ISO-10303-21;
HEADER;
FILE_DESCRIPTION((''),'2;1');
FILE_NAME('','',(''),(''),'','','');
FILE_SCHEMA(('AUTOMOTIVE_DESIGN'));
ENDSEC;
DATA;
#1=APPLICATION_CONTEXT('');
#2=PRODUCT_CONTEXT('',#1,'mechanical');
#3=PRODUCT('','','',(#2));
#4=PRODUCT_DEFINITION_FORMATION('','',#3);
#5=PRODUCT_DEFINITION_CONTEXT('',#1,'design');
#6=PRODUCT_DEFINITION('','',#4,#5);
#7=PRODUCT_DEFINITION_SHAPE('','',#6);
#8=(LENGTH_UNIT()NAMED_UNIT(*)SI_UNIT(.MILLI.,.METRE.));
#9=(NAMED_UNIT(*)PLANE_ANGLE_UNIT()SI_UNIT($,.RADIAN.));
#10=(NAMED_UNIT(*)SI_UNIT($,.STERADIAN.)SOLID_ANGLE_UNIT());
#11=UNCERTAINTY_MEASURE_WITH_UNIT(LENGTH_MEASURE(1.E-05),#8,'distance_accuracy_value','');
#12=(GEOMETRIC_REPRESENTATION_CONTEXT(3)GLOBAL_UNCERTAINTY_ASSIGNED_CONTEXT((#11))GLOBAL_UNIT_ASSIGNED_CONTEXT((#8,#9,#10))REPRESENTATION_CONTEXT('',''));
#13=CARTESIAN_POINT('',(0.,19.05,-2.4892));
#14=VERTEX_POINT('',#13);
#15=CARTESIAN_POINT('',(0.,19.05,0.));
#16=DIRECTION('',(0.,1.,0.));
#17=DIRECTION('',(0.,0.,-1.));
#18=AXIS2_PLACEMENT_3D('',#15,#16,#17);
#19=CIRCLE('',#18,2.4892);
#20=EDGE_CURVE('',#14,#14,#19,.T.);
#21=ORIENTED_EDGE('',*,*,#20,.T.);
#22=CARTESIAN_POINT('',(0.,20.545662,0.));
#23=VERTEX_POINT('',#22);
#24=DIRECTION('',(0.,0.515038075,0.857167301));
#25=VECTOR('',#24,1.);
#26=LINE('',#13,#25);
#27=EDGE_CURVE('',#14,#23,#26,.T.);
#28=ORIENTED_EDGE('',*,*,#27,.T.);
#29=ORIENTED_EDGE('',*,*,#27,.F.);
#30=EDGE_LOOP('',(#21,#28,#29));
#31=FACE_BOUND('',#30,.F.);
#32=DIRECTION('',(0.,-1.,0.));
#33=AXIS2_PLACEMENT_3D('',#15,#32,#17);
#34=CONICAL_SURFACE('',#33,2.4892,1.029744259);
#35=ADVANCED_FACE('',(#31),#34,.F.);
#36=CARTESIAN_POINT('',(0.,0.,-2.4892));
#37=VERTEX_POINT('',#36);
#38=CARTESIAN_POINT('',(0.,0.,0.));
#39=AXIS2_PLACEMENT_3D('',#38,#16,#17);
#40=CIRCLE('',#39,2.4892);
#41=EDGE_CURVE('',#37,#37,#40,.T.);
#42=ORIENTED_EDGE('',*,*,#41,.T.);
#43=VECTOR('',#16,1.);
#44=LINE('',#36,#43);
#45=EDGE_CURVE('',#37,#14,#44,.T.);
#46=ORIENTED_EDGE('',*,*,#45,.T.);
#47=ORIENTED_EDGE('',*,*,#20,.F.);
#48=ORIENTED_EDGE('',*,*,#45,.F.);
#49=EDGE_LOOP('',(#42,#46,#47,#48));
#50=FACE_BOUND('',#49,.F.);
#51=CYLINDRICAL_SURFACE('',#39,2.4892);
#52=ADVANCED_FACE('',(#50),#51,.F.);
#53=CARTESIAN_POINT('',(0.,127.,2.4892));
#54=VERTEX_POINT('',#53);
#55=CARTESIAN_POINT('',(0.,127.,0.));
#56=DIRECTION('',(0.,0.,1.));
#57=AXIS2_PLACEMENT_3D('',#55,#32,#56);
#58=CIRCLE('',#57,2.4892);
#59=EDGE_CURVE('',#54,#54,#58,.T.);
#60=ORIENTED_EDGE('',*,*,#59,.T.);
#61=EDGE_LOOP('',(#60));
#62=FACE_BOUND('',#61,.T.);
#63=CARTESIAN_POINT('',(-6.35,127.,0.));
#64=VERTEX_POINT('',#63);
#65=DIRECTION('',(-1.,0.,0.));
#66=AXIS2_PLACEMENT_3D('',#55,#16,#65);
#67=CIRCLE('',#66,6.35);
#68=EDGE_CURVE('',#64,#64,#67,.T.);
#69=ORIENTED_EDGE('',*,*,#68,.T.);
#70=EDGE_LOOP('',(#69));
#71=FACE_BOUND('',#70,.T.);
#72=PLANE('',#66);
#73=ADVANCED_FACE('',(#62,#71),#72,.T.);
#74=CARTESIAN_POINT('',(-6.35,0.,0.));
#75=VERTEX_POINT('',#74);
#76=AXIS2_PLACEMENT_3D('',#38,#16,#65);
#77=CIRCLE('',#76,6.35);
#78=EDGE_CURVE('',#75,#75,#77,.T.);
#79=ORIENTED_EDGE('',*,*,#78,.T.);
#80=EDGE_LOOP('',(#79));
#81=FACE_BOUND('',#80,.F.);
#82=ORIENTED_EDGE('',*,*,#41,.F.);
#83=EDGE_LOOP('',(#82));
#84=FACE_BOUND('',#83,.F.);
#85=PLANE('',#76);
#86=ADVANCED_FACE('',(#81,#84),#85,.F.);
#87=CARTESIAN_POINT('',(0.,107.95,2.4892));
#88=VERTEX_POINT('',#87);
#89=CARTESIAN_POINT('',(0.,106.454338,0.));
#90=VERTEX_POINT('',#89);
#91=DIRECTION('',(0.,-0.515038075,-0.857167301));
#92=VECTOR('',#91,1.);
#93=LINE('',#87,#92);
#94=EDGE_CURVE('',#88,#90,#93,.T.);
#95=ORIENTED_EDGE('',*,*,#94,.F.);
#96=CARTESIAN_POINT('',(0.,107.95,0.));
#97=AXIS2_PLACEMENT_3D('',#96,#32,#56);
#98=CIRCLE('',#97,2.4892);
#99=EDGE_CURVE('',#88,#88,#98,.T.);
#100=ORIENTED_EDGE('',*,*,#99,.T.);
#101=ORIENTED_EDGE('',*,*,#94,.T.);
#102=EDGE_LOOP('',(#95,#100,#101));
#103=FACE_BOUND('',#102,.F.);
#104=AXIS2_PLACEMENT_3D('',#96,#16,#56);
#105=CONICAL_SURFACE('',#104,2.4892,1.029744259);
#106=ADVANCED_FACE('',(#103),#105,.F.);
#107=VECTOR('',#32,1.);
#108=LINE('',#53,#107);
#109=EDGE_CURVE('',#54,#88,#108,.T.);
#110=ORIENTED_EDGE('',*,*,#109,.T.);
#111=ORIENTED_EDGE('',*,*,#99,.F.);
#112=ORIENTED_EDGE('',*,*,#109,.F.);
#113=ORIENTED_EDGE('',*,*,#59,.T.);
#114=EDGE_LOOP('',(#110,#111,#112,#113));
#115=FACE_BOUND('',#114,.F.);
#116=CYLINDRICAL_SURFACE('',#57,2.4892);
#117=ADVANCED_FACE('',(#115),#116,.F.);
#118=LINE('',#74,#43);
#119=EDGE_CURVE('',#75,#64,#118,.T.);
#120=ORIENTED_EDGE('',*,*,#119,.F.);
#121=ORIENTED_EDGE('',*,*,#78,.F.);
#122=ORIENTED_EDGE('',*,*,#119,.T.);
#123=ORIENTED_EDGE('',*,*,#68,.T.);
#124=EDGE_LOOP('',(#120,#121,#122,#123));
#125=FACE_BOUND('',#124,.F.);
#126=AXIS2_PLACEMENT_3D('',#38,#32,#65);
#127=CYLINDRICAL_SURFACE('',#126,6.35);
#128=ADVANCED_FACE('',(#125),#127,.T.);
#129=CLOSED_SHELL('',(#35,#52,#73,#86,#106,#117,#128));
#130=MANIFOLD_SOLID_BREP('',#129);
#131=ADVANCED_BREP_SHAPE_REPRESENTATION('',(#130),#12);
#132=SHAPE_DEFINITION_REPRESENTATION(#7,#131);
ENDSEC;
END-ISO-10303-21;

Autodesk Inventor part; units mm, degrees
ref_plane "YZ Plane" through (0, 0, 0) normal (1, 0, 0) x (0, 1, 0)
ref_plane "XZ Plane" through (0, 0, 0) normal (0, 1, 0) x (-1, 0, 0)
ref_plane "XY Plane" through (0, 0, 0) normal (0, 0, 1) x (1, 0, 0)
sketch "Sketch1" plane through (0, 0, 0) normal (0, 1, 0) x (-1, 0, 0)
  circle A0 centre (0, 0) radius 6.35
  dimension "d0" = 0
  dimension "d1" = 0
  dimension "d2" = 12.7
extrude "Extrusion1" add sketch "Sketch1" along normal blind 127
sketch "Sketch2" plane through (0, 127, 0) normal (0, 1, 0) x (1, 0, 0)
  point P0 (0, 0)
  point P1 (0, 0)
hole "Hole1" at (0, 127, 0) direction (0, -1, 0) diameter 4.9784 depth 19.05 tip angle 118 thread size "1/4-20 UNC" class "2B" standard "ANSI Unified Screw Threads"
sketch "Sketch3" plane through (0, 0, 0) normal (0, -1, 0) x (1, 0, 0)
  circle A0 centre (0, 0) radius 2.4892 projected
hole "Hole2" at (0, 0, 0) direction (0, 1, 0) diameter 4.9784 depth 19.05 tip angle 118 thread size "1/4-20 UNC" class "2B" standard "ANSI Unified Screw Threads"
properties part number "Short Support"
